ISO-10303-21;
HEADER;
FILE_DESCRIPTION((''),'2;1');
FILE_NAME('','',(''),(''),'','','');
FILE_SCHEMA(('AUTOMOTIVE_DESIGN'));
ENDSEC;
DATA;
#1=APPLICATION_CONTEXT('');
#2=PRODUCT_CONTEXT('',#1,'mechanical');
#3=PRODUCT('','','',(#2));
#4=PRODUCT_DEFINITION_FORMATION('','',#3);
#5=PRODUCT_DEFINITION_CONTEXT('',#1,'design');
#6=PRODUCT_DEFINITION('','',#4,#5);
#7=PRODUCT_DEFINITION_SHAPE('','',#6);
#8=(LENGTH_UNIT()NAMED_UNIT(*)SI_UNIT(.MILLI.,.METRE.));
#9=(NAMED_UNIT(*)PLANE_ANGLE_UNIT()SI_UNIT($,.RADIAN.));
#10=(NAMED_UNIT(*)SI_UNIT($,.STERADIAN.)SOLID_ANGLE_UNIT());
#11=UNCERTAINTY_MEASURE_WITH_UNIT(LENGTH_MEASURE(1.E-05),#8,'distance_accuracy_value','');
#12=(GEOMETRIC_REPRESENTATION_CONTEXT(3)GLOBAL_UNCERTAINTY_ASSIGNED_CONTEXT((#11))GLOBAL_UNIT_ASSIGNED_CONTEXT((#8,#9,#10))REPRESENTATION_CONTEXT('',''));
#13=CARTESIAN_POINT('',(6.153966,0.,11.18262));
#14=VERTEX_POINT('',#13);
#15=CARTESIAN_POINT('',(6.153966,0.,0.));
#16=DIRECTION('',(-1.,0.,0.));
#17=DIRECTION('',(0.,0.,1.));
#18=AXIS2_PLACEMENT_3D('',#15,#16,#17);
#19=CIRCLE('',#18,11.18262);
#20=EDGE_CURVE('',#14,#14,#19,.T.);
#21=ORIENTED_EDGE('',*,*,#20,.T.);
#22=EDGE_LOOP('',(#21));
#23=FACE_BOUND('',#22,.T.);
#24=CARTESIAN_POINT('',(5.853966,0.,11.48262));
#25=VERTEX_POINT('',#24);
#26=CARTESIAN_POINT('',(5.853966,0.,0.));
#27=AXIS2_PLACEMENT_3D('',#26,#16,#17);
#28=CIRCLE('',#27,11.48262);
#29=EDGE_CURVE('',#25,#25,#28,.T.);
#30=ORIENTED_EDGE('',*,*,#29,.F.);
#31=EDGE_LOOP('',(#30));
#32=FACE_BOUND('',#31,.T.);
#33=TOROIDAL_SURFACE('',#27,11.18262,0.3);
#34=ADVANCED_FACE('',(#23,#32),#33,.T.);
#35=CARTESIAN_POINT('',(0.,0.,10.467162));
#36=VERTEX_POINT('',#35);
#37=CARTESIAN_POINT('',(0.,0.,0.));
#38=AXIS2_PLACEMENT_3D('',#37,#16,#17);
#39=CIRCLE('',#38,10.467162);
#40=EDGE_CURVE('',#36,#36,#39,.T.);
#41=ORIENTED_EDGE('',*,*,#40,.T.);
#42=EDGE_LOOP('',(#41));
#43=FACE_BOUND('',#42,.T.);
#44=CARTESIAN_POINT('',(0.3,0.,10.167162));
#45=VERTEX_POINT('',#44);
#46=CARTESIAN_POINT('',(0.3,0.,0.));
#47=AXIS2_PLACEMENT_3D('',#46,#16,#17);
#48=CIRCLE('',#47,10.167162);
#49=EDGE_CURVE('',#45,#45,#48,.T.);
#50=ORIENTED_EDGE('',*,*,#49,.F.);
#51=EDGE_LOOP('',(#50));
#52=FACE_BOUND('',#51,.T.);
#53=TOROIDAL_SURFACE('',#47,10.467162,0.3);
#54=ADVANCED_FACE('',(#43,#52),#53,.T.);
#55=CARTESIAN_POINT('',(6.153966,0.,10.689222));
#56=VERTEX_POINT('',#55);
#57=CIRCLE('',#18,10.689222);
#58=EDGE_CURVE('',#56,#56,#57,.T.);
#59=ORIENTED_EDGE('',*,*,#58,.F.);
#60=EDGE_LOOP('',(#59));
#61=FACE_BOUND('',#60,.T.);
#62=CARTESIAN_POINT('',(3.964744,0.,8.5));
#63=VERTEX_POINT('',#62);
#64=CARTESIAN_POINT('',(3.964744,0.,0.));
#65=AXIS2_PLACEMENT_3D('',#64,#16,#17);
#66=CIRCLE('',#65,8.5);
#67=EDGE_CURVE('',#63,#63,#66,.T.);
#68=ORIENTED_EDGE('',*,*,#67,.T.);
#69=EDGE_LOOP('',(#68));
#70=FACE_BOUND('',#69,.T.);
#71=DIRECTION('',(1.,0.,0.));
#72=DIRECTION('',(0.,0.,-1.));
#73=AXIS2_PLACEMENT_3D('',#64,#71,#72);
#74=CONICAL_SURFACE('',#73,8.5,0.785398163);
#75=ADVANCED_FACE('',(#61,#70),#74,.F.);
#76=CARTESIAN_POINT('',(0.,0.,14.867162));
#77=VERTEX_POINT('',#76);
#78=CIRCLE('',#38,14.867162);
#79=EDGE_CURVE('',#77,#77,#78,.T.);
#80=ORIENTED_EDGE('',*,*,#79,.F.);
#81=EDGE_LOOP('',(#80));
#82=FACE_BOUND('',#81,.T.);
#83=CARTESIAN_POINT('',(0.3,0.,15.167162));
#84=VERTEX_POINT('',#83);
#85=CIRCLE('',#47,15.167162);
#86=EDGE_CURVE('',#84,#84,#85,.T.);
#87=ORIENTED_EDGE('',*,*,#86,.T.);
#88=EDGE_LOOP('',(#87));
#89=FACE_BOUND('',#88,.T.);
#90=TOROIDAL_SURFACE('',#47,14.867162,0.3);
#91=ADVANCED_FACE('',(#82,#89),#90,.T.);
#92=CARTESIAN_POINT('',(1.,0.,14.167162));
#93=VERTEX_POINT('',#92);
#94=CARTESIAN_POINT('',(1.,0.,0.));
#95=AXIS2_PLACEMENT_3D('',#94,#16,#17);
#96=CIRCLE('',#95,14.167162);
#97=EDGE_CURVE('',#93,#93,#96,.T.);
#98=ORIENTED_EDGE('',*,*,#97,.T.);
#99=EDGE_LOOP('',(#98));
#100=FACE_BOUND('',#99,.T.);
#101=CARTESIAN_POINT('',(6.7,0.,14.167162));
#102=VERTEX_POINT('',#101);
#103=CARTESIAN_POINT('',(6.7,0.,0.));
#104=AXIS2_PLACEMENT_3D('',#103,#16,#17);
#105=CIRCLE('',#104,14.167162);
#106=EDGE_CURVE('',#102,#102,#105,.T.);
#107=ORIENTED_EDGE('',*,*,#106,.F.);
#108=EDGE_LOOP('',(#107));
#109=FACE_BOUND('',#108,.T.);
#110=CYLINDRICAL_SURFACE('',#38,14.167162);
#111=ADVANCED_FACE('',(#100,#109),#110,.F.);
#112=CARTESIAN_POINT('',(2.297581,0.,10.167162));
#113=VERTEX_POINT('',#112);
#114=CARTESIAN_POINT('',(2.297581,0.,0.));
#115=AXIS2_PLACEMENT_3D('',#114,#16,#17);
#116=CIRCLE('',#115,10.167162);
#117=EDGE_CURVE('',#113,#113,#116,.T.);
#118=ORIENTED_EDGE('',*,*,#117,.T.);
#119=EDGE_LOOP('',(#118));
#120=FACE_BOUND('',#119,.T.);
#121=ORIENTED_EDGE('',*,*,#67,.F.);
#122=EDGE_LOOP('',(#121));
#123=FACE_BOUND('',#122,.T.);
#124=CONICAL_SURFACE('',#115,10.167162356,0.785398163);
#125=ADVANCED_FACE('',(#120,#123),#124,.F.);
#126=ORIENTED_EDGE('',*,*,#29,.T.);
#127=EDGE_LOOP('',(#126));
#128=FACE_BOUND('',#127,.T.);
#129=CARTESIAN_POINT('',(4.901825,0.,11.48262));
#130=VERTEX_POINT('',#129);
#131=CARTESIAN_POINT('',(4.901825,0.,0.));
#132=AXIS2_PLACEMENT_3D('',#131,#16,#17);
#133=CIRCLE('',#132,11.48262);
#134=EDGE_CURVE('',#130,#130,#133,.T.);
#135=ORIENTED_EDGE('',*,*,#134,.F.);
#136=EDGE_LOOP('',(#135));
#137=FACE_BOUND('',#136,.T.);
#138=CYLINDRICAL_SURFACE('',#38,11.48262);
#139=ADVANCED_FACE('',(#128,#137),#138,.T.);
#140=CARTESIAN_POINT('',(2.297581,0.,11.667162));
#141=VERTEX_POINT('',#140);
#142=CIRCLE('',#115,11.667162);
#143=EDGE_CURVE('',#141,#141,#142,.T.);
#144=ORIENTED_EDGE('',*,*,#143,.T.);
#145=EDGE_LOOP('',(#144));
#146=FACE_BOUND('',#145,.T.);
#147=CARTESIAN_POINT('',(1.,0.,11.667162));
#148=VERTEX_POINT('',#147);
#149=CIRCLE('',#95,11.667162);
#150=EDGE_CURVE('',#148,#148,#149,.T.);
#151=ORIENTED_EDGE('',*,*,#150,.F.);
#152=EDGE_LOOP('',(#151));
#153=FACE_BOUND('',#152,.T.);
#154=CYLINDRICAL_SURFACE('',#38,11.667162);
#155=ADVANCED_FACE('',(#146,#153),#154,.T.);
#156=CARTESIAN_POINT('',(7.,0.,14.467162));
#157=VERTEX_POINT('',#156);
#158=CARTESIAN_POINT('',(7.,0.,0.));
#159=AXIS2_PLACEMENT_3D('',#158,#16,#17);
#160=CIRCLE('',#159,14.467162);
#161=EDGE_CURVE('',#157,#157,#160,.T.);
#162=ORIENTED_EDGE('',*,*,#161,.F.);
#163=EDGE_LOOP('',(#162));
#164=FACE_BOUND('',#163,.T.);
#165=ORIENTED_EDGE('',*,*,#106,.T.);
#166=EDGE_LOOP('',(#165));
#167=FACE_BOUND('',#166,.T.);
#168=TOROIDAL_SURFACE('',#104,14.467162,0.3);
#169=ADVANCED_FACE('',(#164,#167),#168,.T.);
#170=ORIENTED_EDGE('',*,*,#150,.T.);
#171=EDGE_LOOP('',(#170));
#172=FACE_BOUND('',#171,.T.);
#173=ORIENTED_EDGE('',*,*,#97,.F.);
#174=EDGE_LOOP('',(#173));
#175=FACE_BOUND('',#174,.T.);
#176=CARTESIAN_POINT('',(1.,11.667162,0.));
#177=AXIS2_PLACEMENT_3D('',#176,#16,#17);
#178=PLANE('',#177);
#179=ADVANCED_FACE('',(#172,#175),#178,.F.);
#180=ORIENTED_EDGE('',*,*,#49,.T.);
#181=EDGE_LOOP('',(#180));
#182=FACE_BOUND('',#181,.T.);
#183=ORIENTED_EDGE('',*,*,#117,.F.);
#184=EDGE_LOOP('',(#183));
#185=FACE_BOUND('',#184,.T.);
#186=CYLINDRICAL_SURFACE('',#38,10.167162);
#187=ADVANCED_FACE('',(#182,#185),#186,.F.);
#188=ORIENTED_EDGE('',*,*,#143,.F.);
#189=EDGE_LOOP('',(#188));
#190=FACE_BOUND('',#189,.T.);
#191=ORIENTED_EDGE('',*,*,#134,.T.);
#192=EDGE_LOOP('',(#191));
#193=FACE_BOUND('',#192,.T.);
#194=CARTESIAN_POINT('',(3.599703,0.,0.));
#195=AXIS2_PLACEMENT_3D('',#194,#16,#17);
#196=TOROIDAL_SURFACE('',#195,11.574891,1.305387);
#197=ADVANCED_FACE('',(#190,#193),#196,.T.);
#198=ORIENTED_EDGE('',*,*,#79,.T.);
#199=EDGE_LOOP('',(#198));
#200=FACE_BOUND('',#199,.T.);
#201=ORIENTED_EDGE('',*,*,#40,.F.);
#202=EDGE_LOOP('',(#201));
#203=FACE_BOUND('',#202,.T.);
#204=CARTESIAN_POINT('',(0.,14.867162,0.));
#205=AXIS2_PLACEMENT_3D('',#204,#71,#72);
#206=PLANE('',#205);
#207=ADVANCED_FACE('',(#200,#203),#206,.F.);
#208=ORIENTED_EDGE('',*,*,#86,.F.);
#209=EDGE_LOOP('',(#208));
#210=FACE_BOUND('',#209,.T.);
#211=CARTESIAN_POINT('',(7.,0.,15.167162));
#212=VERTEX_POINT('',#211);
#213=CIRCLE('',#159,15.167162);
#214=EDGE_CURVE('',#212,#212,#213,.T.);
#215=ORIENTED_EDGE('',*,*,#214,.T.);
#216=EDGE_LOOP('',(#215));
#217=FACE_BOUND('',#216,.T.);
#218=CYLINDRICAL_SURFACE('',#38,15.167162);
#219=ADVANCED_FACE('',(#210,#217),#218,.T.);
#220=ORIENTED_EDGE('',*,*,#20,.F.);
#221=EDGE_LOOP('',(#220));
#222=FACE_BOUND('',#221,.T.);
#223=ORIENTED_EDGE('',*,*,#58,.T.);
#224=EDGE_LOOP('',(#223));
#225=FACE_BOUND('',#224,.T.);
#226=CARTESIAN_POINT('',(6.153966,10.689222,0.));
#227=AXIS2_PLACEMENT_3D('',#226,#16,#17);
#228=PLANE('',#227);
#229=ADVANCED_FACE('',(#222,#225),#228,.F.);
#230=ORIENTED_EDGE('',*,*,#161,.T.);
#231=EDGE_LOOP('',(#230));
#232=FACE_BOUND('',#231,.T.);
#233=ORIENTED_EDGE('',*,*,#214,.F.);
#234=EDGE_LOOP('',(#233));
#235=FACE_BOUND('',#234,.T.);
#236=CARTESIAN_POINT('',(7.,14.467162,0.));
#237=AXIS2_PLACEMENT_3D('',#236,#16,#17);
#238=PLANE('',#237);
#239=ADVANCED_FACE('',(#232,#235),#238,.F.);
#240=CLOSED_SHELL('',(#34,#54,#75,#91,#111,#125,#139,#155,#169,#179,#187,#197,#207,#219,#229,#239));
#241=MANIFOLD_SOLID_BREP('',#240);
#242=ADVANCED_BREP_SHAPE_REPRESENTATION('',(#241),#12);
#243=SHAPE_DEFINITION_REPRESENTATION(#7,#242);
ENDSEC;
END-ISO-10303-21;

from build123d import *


with BuildPart() as part:
    # Çizim1 → Döndür1 (revolve)
    with BuildSketch(Plane.XY, mode=Mode.PRIVATE) as d_nd_r1_sk:
        with BuildLine():
            Line((7, 15.167162356), (0.3, 15.167162356))
            ThreePointArc((0.3, 15.167162356), (0.087867966, 15.079294391), (0, 14.867162356))
            Line((0, 14.867162356), (0, 10.467162356))
            ThreePointArc((0, 10.467162356), (0.087867966, 10.255030322), (0.3, 10.167162356))
            Line((0.3, 10.167162356), (2.297581493, 10.167162356))
            Line((2.297581493, 10.167162356), (3.96474385, 8.5))
            Line((3.96474385, 8.5), (6.153966129, 10.689222279))
            Line((6.153966129, 10.689222279), (6.153966129, 11.182619933))
            ThreePointArc((6.153966129, 11.182619933), (6.066098163, 11.394751968), (5.853966129, 11.482619933))
            Line((5.853966129, 11.482619933), (4.901824756, 11.482619933))
            ThreePointArc((4.901824756, 11.482619933), (3.691974336, 12.877012776), (2.297581493, 11.667162356))
            Line((2.297581493, 11.667162356), (1, 11.667162356))
            Line((1, 11.667162356), (1, 14.167162356))
            Line((1, 14.167162356), (6.7, 14.167162356))
            ThreePointArc((6.7, 14.167162356), (6.912132034, 14.255030322), (7, 14.467162356))
            Line((7, 14.467162356), (7, 15.167162356))
        make_face()
    revolve(d_nd_r1_sk.sketch.rotate(Axis((0, 0, 0), (1, 0, 0)), 90), axis=Axis((0, 0, 0), (1, 0, 0)))


solid = part.part
